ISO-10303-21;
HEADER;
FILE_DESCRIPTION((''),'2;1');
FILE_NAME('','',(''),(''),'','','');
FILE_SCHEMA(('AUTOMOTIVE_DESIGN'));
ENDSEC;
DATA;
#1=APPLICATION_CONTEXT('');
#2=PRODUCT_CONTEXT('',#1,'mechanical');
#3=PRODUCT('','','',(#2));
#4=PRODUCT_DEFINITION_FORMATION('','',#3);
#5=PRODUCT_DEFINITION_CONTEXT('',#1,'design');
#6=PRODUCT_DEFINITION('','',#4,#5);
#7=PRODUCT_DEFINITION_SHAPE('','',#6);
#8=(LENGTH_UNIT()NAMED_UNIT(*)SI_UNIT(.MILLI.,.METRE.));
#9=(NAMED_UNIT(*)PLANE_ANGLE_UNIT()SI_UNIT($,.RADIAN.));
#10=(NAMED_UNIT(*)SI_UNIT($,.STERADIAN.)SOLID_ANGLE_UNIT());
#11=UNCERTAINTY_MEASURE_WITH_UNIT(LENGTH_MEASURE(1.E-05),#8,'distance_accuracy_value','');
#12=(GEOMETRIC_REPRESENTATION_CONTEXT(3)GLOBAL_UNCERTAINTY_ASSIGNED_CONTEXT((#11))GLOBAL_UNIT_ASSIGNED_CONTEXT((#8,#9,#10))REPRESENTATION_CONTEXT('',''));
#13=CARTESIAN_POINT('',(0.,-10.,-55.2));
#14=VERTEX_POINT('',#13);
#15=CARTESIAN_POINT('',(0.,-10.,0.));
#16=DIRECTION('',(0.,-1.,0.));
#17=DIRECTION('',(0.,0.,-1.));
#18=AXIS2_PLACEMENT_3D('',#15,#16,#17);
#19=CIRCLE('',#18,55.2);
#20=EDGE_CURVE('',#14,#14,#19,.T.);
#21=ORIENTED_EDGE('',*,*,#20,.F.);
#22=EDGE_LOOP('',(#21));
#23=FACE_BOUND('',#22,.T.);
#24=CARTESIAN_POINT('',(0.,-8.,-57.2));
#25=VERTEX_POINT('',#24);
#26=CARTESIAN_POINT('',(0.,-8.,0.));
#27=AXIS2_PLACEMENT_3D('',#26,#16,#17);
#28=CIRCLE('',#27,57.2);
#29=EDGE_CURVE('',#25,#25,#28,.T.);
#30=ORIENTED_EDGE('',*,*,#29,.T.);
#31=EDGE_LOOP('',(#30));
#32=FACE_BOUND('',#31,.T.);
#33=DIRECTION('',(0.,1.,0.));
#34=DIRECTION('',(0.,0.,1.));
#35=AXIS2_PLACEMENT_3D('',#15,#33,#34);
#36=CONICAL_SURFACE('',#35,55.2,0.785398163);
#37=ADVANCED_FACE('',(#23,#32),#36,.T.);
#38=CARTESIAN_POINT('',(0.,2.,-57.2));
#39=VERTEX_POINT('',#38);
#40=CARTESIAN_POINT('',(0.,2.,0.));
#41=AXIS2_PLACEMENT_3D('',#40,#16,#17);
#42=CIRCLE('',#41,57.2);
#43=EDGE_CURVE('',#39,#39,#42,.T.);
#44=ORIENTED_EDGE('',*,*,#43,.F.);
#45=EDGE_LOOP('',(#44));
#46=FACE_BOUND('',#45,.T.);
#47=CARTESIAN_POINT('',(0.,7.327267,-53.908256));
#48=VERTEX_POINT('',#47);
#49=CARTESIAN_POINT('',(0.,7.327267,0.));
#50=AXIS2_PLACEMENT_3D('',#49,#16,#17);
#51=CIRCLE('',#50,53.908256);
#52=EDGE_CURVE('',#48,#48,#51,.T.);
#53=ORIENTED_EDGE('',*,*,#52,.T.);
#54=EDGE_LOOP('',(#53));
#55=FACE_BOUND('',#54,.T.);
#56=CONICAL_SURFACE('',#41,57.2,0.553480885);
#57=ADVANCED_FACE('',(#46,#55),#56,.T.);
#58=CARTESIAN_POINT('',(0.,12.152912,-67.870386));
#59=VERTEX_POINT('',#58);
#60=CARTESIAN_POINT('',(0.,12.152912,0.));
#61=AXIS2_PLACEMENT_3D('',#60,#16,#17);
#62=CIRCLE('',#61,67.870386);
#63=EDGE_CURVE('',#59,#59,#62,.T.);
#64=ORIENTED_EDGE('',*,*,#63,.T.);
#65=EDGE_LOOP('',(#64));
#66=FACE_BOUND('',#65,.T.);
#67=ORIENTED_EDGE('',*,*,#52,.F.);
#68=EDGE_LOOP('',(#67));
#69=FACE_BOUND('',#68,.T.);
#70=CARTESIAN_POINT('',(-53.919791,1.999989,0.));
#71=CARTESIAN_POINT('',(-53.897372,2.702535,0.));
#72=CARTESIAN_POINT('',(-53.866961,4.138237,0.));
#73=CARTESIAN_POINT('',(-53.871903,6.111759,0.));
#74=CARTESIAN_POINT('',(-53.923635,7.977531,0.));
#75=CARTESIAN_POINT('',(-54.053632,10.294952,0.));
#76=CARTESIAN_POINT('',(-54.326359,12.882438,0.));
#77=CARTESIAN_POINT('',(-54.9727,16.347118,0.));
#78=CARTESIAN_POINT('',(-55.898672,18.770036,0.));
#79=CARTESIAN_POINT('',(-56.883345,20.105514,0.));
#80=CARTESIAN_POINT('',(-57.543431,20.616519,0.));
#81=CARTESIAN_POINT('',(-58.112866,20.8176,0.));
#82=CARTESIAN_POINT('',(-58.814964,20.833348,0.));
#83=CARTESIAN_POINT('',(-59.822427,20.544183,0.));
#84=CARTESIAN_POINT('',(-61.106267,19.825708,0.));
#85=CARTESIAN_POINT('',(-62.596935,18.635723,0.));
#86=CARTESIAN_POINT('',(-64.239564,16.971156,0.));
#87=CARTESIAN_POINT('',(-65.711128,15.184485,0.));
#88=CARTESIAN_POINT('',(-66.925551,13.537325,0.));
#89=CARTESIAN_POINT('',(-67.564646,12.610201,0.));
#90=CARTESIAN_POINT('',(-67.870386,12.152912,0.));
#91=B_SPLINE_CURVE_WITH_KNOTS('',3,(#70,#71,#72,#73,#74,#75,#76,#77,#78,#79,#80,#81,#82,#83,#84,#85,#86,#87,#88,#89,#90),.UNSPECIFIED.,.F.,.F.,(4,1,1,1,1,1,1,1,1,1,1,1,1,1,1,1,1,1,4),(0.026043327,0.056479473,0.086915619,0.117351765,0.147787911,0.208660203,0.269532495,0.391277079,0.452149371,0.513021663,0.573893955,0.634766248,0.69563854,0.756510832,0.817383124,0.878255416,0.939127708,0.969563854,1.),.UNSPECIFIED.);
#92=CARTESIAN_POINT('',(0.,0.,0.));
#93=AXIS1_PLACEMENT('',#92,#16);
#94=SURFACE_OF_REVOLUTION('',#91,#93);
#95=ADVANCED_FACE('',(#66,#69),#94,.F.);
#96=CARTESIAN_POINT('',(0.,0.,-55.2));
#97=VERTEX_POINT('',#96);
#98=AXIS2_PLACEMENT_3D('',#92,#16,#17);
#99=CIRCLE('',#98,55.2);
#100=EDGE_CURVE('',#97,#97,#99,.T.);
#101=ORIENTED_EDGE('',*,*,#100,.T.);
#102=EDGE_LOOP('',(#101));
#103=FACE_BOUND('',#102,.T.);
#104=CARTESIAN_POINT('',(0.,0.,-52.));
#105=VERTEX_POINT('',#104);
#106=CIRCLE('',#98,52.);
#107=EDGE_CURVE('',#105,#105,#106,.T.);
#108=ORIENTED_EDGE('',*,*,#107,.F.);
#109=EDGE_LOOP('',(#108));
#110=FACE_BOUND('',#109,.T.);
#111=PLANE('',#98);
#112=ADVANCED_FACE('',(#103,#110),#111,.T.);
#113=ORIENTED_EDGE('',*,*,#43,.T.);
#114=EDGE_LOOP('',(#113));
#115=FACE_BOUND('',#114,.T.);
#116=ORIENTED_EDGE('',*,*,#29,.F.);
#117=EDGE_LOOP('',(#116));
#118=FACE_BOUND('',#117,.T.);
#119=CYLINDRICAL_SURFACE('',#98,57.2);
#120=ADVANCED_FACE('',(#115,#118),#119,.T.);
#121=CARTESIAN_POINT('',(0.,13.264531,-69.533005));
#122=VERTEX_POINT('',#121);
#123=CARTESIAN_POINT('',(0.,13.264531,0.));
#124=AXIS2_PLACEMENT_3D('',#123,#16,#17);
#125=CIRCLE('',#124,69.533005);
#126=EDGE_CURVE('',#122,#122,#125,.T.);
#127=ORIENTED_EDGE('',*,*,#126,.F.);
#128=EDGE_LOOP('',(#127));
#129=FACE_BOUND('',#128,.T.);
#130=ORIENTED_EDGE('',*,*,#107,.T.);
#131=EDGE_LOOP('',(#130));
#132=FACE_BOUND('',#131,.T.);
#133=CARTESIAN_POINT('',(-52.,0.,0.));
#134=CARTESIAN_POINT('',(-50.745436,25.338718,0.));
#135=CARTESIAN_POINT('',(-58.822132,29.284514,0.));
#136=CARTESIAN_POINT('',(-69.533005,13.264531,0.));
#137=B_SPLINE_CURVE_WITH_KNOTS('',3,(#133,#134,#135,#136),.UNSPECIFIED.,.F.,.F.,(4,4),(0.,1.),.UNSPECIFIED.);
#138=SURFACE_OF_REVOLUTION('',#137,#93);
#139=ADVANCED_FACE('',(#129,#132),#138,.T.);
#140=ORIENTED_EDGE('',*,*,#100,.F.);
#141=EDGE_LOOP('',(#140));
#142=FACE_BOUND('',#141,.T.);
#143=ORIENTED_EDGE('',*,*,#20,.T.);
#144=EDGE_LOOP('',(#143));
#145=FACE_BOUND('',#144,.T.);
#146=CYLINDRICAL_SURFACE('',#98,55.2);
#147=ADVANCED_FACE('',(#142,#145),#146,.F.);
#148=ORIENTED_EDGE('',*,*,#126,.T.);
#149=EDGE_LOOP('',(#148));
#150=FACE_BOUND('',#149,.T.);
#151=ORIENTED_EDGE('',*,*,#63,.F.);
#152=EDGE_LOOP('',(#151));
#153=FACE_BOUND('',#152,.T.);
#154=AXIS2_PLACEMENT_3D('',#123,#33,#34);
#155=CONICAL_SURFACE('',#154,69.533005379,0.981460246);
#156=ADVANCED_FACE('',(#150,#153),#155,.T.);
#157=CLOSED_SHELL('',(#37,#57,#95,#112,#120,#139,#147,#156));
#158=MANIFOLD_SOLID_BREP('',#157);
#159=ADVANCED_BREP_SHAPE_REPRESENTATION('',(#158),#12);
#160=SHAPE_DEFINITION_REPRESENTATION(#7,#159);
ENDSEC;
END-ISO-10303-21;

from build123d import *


with BuildPart() as part:
    # Sketch2 → Revolve1 (revolve)
    with BuildSketch(Plane.XY, mode=Mode.PRIVATE) as revolve1_sk:
        with BuildLine():
            add(Edge.make_bspline(
                [(-53.908291981, 7.327266282), (-53.915048613, 7.539366649), (-53.94495988, 8.357050919), (-54.053665037, 10.294944264), (-54.326389869, 12.882424144), (-54.972726359, 16.34709685), (-55.898693692, 18.77001029), (-56.883362954, 20.105486165), (-57.543446966, 20.616490503), (-58.112880499, 20.817571586), (-58.814977092, 20.833320308), (-59.822438492, 20.544156721), (-61.106275976, 19.825684528), (-62.596941056, 18.635703923), (-64.239568543, 16.971141372), (-65.711130001, 15.184476573), (-66.925551876, 13.537321116), (-67.564645811, 12.610199482), (-67.87038563, 12.152912125)],
                knots=[0.106853713, 0.106853713, 0.106853713, 0.106853713, 0.117351765, 0.147787911, 0.208660203, 0.269532495, 0.391277079, 0.452149371, 0.513021663, 0.573893955, 0.634766248, 0.69563854, 0.756510832, 0.817383124, 0.878255416, 0.939127708, 0.969563854, 1, 1, 1, 1], degree=3))
            Line((-67.87038563, 12.152912125), (-69.533005379, 13.264530571))
            add(Edge.make_bspline(
                [(-52, 0), (-50.74543551, 25.338717699), (-58.822132089, 29.284514334), (-69.533005379, 13.264530571)],
                knots=[0, 0, 0, 0, 1, 1, 1, 1], degree=3))
            Line((-52, 0), (-55.2, 0))
            Line((-55.2, 0), (-55.2, -10))
            Line((-55.2, -10), (-57.2, -8))
            Line((-57.2, -8), (-57.2, 0))
            Line((-57.2, 0), (-57.2, 2))
            Line((-57.2, 2), (-53.908291981, 7.327266282))
        make_face()
    revolve(revolve1_sk.sketch.rotate(Axis((0, 0, 0), (0, 1, 0)), 270), axis=Axis((0, 0, 0), (0, 1, 0)))


solid = part.part
